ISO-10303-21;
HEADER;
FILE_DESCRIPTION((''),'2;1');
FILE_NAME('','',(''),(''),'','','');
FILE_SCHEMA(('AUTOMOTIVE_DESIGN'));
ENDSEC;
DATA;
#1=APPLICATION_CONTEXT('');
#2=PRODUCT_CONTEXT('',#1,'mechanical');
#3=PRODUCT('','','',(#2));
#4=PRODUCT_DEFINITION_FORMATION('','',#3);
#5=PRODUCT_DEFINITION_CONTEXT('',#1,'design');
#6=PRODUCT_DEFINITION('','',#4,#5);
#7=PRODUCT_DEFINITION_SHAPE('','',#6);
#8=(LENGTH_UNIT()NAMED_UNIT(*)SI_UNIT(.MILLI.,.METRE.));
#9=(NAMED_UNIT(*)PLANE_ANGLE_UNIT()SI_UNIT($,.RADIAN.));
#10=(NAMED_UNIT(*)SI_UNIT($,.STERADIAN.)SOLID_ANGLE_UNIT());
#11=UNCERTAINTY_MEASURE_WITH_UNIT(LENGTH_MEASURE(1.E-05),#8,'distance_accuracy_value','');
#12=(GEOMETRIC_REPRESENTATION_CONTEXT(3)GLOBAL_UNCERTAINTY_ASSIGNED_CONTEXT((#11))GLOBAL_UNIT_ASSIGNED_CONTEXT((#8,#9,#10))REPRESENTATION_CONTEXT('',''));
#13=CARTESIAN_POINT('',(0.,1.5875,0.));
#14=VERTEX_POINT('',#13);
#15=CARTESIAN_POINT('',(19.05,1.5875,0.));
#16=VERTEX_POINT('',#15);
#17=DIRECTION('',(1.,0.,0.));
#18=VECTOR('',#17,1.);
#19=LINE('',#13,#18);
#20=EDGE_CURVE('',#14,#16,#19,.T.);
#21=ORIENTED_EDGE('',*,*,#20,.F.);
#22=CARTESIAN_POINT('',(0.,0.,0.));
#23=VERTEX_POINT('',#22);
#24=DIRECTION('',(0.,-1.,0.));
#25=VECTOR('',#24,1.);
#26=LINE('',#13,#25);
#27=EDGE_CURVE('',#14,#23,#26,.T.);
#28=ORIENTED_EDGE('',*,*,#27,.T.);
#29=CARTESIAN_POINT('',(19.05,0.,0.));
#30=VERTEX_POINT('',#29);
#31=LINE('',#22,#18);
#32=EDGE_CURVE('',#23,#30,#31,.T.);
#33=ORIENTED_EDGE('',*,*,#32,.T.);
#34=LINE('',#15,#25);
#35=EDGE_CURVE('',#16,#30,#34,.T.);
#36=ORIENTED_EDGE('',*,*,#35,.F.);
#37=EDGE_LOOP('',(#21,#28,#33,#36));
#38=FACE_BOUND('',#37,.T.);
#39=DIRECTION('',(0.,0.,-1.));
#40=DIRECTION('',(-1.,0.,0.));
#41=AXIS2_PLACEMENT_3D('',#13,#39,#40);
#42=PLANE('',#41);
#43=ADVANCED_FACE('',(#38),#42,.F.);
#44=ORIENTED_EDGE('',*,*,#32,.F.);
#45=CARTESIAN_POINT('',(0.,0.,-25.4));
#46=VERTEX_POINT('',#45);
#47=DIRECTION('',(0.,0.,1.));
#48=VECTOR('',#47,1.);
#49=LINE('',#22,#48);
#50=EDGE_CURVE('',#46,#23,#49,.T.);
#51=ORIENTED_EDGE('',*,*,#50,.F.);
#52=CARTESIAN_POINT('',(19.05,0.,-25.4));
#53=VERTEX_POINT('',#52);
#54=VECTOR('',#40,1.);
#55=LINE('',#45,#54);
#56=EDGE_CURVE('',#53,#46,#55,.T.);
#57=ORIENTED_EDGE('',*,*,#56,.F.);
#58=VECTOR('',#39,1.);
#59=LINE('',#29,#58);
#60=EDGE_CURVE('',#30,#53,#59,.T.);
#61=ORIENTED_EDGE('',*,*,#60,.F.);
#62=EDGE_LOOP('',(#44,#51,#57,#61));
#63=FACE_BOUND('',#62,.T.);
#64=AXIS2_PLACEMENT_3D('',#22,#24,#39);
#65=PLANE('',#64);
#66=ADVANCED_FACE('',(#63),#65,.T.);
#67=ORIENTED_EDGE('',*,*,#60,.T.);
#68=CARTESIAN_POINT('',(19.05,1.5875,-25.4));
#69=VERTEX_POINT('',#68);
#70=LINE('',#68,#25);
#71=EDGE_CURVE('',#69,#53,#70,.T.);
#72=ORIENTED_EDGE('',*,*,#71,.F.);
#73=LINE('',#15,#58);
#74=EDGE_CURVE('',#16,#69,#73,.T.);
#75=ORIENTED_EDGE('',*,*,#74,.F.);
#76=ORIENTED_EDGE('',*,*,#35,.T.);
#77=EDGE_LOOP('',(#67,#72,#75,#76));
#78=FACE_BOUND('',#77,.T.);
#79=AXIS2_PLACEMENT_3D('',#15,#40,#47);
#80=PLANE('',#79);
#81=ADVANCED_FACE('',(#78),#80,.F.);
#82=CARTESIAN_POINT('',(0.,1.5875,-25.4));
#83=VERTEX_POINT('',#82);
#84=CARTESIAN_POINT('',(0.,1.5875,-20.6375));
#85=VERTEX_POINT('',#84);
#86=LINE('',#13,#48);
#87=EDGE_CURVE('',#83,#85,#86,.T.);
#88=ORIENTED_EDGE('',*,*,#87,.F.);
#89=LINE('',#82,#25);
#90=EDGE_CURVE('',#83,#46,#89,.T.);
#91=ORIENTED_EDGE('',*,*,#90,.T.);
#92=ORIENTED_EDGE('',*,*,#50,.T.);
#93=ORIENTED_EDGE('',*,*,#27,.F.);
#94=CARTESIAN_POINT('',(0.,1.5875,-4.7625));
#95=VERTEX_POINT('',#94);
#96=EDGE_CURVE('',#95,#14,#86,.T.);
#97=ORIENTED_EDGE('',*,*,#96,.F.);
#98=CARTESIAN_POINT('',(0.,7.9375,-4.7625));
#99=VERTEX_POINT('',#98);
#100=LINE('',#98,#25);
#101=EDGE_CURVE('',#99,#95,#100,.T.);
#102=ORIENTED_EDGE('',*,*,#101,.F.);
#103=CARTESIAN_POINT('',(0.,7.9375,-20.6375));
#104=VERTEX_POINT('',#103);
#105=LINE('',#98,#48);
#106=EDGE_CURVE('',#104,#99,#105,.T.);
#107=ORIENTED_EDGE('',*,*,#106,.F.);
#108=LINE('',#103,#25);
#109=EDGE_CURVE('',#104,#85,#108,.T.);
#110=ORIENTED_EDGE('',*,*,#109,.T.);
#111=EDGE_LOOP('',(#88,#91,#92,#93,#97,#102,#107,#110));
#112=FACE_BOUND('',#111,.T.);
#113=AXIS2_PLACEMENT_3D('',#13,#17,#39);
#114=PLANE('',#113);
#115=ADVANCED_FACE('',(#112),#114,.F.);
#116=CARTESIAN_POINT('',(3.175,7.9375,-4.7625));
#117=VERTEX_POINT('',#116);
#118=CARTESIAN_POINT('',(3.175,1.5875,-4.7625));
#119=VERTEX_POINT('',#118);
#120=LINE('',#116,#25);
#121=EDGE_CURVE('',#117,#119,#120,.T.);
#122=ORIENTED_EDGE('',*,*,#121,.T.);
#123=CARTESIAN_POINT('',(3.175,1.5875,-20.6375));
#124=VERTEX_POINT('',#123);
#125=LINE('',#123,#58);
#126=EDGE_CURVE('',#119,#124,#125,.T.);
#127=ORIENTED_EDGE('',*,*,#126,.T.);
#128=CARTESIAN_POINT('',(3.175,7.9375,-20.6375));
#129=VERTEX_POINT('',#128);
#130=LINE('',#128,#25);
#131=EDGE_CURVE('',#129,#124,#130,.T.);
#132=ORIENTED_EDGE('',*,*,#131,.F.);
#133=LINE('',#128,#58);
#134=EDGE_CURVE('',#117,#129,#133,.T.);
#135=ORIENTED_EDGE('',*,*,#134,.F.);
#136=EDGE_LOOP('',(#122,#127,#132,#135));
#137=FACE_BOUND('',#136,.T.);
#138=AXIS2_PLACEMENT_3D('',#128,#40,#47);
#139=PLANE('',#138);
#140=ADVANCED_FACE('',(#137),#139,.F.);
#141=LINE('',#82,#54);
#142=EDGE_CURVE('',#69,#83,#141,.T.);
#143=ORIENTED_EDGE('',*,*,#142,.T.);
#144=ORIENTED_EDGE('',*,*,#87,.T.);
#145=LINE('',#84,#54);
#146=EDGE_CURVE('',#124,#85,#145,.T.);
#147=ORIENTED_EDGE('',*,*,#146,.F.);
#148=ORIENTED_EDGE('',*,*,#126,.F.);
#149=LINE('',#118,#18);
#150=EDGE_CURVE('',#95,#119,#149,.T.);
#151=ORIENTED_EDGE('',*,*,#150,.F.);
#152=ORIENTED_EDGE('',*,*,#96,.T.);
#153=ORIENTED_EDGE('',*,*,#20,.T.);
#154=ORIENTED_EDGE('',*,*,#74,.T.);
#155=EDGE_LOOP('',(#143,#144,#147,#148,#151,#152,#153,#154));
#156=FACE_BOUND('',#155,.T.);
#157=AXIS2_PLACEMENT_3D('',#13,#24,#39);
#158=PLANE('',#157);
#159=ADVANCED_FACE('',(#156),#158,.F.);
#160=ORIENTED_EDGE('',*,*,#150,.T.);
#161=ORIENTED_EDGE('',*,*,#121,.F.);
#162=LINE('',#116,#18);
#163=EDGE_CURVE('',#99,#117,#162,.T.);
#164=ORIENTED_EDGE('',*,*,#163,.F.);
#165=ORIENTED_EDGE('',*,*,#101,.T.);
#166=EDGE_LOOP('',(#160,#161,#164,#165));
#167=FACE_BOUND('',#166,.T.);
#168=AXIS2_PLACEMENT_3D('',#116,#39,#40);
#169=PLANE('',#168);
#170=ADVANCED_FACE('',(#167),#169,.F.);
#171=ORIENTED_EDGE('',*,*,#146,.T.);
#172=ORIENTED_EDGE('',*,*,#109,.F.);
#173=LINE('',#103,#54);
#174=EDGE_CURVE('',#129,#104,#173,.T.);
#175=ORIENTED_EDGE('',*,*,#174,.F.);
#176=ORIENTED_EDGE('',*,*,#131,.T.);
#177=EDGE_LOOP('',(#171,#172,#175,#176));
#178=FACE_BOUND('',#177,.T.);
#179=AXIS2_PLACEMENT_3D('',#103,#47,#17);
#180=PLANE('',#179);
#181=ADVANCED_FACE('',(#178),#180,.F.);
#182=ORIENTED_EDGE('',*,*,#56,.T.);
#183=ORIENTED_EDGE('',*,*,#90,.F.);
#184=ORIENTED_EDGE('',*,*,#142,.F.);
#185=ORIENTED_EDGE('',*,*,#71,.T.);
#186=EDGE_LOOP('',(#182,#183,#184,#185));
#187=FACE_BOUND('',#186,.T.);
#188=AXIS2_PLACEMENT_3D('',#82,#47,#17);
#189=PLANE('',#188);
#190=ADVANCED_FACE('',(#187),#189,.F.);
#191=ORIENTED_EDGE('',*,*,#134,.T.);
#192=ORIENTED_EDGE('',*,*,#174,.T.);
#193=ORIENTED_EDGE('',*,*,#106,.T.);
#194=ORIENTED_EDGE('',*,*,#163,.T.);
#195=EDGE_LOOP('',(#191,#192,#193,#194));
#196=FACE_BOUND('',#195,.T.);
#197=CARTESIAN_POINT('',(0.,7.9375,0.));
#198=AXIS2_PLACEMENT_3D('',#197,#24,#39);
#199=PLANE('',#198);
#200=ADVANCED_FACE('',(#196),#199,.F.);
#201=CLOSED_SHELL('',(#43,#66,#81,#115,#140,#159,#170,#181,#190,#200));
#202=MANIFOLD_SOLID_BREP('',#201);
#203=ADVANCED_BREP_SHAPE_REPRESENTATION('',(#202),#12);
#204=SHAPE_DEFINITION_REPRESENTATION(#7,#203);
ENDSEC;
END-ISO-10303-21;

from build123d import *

# Parameters (mm, degrees)
SKETCH1_W           = 19.05
SKETCH1_H           = 25.4
BOSS_EXTRUDE1_DEPTH = 1.5875
SKETCH2_W           = 3.175
SKETCH2_H           = 15.875
BOSS_EXTRUDE2_DEPTH = 6.35


with BuildPart() as part:
    # Sketch1 → Boss-Extrude1 (new body)
    with BuildSketch(Plane(origin=(0, 0, 0), x_dir=(1, 0, 0), z_dir=(0, 1, 0))):
        with Locations((9.525, 12.7)):
            Rectangle(SKETCH1_W, SKETCH1_H)
    extrude(amount=BOSS_EXTRUDE1_DEPTH)

    # Sketch2 → Boss-Extrude2 (add)
    with BuildSketch(Plane(origin=(0, 1.5875, 0), x_dir=(1, 0, 0), z_dir=(0, 1, 0))):
        with Locations((1.5875, 12.7)):
            Rectangle(SKETCH2_W, SKETCH2_H)
    extrude(amount=BOSS_EXTRUDE2_DEPTH)


solid = part.part
